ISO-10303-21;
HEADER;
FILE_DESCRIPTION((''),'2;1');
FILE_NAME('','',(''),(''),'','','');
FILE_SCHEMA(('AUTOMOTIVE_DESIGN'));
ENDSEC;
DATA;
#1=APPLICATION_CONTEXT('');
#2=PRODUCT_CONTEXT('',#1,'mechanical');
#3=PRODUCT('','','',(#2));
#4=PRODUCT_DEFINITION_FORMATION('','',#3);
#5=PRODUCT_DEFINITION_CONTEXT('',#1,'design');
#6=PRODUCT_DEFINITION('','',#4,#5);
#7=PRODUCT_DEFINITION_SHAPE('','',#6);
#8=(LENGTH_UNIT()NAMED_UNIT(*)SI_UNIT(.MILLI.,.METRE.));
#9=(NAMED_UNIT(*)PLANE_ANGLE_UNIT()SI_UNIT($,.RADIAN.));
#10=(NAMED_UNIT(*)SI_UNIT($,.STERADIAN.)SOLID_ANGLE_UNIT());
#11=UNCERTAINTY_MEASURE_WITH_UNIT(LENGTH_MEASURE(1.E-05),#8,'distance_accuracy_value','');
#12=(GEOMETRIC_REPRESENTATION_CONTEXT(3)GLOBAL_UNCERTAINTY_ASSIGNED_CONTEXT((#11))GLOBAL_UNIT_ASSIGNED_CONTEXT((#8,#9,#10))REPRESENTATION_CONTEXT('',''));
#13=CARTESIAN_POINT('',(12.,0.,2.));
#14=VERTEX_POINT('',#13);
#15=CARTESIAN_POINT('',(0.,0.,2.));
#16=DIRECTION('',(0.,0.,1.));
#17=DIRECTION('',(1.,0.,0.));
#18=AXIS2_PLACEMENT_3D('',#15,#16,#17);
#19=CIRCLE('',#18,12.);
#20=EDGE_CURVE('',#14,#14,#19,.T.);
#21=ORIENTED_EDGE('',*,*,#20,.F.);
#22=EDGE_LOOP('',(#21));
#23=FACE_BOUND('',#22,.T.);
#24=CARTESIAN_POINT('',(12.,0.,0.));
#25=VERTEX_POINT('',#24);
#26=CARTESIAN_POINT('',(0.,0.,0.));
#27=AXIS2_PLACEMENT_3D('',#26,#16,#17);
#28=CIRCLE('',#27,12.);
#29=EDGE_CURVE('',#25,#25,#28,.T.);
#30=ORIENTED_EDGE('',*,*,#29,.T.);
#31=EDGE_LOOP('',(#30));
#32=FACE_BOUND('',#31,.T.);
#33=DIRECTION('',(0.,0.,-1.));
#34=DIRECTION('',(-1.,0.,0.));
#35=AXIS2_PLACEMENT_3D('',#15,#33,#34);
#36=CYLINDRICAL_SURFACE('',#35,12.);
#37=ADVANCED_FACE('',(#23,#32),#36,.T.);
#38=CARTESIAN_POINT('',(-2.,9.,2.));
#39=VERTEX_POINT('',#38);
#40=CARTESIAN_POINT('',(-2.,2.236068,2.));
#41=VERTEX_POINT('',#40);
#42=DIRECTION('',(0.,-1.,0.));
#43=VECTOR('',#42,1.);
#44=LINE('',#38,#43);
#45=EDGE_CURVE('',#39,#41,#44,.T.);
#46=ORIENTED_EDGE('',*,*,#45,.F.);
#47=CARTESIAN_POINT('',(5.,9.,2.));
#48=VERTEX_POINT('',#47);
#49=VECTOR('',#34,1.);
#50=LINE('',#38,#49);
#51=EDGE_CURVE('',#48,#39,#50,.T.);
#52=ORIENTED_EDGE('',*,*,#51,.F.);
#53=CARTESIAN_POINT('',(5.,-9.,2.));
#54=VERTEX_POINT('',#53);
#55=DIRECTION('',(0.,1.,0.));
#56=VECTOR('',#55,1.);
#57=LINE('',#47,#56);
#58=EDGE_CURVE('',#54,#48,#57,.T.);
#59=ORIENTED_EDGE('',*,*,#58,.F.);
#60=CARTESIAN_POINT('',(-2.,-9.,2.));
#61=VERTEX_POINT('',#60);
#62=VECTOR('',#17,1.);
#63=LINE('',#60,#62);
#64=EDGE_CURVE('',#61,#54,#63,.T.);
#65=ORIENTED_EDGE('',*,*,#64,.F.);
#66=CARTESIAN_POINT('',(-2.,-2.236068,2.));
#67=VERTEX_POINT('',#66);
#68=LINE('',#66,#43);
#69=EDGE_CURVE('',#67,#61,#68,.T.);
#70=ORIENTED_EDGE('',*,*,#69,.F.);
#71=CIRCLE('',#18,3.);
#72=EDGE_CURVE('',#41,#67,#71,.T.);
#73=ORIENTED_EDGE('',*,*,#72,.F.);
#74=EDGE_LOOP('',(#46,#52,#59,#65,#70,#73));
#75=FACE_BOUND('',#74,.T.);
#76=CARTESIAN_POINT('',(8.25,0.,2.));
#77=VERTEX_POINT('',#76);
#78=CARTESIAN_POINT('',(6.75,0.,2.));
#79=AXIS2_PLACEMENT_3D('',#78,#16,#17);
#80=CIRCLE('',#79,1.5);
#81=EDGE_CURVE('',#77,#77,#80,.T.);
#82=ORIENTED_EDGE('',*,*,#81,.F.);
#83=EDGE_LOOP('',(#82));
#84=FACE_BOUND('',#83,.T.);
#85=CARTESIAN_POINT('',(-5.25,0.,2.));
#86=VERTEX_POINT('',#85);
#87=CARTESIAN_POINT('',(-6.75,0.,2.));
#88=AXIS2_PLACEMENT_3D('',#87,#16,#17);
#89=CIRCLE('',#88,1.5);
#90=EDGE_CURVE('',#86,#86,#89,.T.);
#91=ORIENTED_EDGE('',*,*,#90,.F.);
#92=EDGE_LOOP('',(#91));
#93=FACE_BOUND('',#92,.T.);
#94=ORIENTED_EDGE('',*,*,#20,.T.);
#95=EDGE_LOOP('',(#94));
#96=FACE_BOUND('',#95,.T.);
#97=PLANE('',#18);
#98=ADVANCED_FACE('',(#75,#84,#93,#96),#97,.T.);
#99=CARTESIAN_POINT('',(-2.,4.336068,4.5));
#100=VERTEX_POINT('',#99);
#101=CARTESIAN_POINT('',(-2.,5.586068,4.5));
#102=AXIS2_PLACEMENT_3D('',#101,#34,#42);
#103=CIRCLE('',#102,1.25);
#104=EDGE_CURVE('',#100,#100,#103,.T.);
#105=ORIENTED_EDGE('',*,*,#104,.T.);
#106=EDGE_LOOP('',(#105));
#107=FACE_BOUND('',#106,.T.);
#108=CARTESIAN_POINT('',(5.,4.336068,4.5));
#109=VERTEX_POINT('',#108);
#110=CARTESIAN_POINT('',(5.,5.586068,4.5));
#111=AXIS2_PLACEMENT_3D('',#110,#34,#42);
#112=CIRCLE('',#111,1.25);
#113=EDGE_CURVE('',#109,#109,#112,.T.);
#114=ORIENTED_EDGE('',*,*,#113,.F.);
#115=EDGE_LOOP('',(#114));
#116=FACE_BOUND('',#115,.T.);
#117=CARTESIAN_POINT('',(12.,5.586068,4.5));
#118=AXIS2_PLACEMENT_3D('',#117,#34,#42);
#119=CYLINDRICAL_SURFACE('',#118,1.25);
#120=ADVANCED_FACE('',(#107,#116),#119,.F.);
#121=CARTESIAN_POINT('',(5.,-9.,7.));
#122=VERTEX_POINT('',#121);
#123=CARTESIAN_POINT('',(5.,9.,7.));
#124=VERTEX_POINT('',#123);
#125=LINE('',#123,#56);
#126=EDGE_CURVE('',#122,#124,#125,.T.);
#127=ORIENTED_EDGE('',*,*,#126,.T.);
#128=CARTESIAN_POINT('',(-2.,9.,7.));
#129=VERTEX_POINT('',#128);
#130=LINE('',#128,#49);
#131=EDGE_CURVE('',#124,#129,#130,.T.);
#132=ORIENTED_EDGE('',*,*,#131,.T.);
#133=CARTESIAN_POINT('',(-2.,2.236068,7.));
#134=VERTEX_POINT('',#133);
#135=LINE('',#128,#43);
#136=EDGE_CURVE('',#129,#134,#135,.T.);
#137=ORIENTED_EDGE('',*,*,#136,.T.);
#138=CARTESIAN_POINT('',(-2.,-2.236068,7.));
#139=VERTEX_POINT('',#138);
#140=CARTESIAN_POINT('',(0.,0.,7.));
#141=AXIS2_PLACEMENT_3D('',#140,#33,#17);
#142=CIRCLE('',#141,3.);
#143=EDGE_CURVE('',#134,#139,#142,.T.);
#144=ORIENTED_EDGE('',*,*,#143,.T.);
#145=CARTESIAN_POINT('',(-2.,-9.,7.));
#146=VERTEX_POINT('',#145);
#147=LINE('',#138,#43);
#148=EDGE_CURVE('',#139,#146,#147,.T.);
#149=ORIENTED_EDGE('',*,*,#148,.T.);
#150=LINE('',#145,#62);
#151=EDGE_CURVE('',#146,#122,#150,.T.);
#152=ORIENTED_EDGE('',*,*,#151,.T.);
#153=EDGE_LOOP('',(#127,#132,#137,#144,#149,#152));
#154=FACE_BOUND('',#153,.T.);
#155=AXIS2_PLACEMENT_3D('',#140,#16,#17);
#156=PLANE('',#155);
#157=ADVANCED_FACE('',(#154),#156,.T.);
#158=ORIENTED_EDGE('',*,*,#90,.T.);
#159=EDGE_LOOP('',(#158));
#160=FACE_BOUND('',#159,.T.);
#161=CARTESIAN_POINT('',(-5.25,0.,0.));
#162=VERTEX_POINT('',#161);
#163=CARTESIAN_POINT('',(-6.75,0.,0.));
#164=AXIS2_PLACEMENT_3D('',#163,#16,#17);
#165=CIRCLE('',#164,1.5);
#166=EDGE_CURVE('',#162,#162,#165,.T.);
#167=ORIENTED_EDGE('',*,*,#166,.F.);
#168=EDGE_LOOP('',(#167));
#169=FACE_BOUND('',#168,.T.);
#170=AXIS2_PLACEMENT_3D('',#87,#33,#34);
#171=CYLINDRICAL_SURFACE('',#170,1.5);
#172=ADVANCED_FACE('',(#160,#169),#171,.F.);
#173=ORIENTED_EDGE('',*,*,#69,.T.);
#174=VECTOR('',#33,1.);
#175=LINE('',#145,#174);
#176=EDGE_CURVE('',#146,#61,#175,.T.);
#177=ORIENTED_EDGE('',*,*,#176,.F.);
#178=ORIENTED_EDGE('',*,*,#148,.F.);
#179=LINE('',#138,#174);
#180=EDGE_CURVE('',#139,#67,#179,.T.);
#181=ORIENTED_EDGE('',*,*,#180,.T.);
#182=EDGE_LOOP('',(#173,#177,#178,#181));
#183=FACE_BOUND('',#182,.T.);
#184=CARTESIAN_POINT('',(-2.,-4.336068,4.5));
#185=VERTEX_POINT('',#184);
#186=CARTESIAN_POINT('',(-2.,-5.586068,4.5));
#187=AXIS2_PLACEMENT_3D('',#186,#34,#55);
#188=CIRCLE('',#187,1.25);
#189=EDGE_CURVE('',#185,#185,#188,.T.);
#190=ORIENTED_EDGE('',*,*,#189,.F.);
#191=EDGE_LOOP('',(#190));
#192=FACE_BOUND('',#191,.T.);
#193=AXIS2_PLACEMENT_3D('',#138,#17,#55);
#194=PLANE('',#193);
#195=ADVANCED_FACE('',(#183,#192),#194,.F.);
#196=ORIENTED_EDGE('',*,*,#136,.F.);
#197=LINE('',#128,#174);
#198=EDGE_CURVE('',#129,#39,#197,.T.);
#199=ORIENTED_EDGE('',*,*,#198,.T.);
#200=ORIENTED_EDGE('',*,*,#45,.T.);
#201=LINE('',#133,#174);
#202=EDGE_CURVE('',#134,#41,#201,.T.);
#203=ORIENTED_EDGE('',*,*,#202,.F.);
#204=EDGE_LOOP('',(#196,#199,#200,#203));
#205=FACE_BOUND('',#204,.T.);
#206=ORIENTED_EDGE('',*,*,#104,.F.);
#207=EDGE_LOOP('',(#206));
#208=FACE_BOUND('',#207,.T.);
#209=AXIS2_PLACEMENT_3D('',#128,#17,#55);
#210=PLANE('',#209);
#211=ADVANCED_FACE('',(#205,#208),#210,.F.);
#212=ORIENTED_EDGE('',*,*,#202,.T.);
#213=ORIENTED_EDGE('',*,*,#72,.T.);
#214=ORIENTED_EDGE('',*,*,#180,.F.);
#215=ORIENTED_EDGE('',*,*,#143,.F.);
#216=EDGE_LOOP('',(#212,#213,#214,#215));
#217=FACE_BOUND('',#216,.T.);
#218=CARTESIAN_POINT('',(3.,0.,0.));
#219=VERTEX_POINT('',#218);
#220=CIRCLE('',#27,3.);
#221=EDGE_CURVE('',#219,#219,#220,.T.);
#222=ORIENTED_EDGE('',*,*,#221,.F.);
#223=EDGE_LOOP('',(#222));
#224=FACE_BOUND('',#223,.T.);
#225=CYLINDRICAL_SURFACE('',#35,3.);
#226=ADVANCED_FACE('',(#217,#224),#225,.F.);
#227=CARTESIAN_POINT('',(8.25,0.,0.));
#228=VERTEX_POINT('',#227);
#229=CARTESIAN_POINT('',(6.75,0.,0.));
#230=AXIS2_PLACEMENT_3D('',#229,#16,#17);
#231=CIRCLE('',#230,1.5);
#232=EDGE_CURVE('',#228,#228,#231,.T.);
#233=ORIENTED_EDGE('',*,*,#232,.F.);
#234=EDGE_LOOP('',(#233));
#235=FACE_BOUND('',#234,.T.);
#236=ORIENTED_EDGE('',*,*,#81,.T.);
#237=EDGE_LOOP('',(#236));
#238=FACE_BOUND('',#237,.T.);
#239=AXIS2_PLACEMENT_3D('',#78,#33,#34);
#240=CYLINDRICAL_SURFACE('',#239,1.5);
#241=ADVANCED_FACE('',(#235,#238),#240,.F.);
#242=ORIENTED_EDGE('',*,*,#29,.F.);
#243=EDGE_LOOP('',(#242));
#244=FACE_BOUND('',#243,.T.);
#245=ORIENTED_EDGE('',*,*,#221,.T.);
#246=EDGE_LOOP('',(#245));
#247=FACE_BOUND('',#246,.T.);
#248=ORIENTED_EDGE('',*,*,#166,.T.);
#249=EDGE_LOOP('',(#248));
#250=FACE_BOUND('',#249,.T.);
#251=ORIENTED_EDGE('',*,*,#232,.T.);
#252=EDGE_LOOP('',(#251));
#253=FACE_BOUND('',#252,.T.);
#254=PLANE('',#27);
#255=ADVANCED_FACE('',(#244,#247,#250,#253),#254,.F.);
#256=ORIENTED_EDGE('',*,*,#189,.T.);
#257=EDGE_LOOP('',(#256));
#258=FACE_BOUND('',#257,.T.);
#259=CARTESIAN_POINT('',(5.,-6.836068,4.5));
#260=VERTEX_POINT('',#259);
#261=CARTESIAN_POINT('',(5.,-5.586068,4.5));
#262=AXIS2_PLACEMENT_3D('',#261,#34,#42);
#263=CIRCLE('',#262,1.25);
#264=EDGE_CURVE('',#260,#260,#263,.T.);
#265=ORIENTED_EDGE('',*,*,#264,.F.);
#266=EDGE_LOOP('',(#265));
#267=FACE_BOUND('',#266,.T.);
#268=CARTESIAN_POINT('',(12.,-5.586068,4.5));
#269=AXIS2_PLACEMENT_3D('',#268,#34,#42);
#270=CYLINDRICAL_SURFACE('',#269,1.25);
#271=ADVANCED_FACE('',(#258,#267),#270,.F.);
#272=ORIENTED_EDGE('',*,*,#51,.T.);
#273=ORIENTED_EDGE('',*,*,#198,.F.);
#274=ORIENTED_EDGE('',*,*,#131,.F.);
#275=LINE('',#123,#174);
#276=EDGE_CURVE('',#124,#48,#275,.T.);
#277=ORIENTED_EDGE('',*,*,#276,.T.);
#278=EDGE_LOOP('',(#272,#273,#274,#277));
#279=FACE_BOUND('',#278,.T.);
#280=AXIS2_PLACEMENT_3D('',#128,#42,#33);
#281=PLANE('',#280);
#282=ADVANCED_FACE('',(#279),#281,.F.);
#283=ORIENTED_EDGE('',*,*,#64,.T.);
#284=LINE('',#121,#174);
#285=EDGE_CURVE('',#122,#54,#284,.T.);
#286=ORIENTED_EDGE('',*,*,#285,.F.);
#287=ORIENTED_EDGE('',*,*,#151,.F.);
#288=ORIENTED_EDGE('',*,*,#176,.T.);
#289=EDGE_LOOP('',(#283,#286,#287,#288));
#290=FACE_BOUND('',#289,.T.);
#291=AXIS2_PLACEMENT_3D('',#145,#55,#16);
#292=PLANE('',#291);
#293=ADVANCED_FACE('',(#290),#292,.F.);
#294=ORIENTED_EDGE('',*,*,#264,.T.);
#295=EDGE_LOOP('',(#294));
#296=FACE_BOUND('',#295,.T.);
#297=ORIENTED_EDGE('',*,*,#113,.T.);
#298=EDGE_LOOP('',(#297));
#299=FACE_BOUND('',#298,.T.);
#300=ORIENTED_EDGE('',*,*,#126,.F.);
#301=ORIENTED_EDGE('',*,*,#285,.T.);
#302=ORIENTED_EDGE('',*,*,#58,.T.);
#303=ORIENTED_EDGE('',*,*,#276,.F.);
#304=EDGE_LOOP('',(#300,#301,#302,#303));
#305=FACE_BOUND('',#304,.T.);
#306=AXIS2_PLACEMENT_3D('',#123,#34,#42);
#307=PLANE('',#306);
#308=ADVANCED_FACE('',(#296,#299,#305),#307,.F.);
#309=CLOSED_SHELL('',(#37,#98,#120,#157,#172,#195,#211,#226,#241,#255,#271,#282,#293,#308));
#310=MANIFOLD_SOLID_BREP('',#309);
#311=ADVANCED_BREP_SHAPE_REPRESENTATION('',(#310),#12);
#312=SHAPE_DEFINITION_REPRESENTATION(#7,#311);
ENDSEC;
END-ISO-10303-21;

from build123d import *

# Parameters (mm, degrees)
ESQUISSE1_R             = 12
ESQUISSE1_R_2           = 1.5
ESQUISSE1_R_3           = 3
BOSS_EXTRU_1_DEPTH      = 2
BOSS_EXTRU_2_DEPTH      = 5
ESQUISSE3_R             = 1.25
ENL_V_MAT_EXTRU_1_DEPTH = 20.723082923


with BuildPart() as part:
    # Esquisse1 → Boss.-Extru.1 (new body)
    with BuildSketch(Plane.XY):
        Circle(ESQUISSE1_R)
        with Locations((-6.75, 0)):
            Circle(ESQUISSE1_R_2, mode=Mode.SUBTRACT)
        with Locations((6.75, 0)):
            Circle(ESQUISSE1_R_2, mode=Mode.SUBTRACT)
        Circle(ESQUISSE1_R_3, mode=Mode.SUBTRACT)
    extrude(amount=BOSS_EXTRU_1_DEPTH)

    # Esquisse2 → Boss.-Extru.2 (add)
    with BuildSketch(Plane.XY.offset(2)):
        with BuildLine():
            Line((-2, -2.236067977), (-2, -9))
            Line((-2, -9), (5, -9))
            Line((5, -9), (5, 9))
            Line((5, 9), (-2, 9))
            Line((-2, 9), (-2, 2.236067977))
            ThreePointArc((-2, 2.236067977), (3, 0), (-2, -2.236067977))
        make_face()
    extrude(amount=BOSS_EXTRU_2_DEPTH)

    # Esquisse3 → Enlèv. mat.-Extru.1 (cut, through all)
    with BuildSketch(Plane.ZY.offset(2)):
        with Locations(Location((4.5, 5.586067977, 0), (0, 0, 270))):
            Circle(ESQUISSE3_R)
        with Locations(Location((4.5, -5.586067977, 0), (0, 0, 270))):
            Circle(ESQUISSE3_R)
    extrude(amount=-ENL_V_MAT_EXTRU_1_DEPTH, mode=Mode.SUBTRACT)


solid = part.part
